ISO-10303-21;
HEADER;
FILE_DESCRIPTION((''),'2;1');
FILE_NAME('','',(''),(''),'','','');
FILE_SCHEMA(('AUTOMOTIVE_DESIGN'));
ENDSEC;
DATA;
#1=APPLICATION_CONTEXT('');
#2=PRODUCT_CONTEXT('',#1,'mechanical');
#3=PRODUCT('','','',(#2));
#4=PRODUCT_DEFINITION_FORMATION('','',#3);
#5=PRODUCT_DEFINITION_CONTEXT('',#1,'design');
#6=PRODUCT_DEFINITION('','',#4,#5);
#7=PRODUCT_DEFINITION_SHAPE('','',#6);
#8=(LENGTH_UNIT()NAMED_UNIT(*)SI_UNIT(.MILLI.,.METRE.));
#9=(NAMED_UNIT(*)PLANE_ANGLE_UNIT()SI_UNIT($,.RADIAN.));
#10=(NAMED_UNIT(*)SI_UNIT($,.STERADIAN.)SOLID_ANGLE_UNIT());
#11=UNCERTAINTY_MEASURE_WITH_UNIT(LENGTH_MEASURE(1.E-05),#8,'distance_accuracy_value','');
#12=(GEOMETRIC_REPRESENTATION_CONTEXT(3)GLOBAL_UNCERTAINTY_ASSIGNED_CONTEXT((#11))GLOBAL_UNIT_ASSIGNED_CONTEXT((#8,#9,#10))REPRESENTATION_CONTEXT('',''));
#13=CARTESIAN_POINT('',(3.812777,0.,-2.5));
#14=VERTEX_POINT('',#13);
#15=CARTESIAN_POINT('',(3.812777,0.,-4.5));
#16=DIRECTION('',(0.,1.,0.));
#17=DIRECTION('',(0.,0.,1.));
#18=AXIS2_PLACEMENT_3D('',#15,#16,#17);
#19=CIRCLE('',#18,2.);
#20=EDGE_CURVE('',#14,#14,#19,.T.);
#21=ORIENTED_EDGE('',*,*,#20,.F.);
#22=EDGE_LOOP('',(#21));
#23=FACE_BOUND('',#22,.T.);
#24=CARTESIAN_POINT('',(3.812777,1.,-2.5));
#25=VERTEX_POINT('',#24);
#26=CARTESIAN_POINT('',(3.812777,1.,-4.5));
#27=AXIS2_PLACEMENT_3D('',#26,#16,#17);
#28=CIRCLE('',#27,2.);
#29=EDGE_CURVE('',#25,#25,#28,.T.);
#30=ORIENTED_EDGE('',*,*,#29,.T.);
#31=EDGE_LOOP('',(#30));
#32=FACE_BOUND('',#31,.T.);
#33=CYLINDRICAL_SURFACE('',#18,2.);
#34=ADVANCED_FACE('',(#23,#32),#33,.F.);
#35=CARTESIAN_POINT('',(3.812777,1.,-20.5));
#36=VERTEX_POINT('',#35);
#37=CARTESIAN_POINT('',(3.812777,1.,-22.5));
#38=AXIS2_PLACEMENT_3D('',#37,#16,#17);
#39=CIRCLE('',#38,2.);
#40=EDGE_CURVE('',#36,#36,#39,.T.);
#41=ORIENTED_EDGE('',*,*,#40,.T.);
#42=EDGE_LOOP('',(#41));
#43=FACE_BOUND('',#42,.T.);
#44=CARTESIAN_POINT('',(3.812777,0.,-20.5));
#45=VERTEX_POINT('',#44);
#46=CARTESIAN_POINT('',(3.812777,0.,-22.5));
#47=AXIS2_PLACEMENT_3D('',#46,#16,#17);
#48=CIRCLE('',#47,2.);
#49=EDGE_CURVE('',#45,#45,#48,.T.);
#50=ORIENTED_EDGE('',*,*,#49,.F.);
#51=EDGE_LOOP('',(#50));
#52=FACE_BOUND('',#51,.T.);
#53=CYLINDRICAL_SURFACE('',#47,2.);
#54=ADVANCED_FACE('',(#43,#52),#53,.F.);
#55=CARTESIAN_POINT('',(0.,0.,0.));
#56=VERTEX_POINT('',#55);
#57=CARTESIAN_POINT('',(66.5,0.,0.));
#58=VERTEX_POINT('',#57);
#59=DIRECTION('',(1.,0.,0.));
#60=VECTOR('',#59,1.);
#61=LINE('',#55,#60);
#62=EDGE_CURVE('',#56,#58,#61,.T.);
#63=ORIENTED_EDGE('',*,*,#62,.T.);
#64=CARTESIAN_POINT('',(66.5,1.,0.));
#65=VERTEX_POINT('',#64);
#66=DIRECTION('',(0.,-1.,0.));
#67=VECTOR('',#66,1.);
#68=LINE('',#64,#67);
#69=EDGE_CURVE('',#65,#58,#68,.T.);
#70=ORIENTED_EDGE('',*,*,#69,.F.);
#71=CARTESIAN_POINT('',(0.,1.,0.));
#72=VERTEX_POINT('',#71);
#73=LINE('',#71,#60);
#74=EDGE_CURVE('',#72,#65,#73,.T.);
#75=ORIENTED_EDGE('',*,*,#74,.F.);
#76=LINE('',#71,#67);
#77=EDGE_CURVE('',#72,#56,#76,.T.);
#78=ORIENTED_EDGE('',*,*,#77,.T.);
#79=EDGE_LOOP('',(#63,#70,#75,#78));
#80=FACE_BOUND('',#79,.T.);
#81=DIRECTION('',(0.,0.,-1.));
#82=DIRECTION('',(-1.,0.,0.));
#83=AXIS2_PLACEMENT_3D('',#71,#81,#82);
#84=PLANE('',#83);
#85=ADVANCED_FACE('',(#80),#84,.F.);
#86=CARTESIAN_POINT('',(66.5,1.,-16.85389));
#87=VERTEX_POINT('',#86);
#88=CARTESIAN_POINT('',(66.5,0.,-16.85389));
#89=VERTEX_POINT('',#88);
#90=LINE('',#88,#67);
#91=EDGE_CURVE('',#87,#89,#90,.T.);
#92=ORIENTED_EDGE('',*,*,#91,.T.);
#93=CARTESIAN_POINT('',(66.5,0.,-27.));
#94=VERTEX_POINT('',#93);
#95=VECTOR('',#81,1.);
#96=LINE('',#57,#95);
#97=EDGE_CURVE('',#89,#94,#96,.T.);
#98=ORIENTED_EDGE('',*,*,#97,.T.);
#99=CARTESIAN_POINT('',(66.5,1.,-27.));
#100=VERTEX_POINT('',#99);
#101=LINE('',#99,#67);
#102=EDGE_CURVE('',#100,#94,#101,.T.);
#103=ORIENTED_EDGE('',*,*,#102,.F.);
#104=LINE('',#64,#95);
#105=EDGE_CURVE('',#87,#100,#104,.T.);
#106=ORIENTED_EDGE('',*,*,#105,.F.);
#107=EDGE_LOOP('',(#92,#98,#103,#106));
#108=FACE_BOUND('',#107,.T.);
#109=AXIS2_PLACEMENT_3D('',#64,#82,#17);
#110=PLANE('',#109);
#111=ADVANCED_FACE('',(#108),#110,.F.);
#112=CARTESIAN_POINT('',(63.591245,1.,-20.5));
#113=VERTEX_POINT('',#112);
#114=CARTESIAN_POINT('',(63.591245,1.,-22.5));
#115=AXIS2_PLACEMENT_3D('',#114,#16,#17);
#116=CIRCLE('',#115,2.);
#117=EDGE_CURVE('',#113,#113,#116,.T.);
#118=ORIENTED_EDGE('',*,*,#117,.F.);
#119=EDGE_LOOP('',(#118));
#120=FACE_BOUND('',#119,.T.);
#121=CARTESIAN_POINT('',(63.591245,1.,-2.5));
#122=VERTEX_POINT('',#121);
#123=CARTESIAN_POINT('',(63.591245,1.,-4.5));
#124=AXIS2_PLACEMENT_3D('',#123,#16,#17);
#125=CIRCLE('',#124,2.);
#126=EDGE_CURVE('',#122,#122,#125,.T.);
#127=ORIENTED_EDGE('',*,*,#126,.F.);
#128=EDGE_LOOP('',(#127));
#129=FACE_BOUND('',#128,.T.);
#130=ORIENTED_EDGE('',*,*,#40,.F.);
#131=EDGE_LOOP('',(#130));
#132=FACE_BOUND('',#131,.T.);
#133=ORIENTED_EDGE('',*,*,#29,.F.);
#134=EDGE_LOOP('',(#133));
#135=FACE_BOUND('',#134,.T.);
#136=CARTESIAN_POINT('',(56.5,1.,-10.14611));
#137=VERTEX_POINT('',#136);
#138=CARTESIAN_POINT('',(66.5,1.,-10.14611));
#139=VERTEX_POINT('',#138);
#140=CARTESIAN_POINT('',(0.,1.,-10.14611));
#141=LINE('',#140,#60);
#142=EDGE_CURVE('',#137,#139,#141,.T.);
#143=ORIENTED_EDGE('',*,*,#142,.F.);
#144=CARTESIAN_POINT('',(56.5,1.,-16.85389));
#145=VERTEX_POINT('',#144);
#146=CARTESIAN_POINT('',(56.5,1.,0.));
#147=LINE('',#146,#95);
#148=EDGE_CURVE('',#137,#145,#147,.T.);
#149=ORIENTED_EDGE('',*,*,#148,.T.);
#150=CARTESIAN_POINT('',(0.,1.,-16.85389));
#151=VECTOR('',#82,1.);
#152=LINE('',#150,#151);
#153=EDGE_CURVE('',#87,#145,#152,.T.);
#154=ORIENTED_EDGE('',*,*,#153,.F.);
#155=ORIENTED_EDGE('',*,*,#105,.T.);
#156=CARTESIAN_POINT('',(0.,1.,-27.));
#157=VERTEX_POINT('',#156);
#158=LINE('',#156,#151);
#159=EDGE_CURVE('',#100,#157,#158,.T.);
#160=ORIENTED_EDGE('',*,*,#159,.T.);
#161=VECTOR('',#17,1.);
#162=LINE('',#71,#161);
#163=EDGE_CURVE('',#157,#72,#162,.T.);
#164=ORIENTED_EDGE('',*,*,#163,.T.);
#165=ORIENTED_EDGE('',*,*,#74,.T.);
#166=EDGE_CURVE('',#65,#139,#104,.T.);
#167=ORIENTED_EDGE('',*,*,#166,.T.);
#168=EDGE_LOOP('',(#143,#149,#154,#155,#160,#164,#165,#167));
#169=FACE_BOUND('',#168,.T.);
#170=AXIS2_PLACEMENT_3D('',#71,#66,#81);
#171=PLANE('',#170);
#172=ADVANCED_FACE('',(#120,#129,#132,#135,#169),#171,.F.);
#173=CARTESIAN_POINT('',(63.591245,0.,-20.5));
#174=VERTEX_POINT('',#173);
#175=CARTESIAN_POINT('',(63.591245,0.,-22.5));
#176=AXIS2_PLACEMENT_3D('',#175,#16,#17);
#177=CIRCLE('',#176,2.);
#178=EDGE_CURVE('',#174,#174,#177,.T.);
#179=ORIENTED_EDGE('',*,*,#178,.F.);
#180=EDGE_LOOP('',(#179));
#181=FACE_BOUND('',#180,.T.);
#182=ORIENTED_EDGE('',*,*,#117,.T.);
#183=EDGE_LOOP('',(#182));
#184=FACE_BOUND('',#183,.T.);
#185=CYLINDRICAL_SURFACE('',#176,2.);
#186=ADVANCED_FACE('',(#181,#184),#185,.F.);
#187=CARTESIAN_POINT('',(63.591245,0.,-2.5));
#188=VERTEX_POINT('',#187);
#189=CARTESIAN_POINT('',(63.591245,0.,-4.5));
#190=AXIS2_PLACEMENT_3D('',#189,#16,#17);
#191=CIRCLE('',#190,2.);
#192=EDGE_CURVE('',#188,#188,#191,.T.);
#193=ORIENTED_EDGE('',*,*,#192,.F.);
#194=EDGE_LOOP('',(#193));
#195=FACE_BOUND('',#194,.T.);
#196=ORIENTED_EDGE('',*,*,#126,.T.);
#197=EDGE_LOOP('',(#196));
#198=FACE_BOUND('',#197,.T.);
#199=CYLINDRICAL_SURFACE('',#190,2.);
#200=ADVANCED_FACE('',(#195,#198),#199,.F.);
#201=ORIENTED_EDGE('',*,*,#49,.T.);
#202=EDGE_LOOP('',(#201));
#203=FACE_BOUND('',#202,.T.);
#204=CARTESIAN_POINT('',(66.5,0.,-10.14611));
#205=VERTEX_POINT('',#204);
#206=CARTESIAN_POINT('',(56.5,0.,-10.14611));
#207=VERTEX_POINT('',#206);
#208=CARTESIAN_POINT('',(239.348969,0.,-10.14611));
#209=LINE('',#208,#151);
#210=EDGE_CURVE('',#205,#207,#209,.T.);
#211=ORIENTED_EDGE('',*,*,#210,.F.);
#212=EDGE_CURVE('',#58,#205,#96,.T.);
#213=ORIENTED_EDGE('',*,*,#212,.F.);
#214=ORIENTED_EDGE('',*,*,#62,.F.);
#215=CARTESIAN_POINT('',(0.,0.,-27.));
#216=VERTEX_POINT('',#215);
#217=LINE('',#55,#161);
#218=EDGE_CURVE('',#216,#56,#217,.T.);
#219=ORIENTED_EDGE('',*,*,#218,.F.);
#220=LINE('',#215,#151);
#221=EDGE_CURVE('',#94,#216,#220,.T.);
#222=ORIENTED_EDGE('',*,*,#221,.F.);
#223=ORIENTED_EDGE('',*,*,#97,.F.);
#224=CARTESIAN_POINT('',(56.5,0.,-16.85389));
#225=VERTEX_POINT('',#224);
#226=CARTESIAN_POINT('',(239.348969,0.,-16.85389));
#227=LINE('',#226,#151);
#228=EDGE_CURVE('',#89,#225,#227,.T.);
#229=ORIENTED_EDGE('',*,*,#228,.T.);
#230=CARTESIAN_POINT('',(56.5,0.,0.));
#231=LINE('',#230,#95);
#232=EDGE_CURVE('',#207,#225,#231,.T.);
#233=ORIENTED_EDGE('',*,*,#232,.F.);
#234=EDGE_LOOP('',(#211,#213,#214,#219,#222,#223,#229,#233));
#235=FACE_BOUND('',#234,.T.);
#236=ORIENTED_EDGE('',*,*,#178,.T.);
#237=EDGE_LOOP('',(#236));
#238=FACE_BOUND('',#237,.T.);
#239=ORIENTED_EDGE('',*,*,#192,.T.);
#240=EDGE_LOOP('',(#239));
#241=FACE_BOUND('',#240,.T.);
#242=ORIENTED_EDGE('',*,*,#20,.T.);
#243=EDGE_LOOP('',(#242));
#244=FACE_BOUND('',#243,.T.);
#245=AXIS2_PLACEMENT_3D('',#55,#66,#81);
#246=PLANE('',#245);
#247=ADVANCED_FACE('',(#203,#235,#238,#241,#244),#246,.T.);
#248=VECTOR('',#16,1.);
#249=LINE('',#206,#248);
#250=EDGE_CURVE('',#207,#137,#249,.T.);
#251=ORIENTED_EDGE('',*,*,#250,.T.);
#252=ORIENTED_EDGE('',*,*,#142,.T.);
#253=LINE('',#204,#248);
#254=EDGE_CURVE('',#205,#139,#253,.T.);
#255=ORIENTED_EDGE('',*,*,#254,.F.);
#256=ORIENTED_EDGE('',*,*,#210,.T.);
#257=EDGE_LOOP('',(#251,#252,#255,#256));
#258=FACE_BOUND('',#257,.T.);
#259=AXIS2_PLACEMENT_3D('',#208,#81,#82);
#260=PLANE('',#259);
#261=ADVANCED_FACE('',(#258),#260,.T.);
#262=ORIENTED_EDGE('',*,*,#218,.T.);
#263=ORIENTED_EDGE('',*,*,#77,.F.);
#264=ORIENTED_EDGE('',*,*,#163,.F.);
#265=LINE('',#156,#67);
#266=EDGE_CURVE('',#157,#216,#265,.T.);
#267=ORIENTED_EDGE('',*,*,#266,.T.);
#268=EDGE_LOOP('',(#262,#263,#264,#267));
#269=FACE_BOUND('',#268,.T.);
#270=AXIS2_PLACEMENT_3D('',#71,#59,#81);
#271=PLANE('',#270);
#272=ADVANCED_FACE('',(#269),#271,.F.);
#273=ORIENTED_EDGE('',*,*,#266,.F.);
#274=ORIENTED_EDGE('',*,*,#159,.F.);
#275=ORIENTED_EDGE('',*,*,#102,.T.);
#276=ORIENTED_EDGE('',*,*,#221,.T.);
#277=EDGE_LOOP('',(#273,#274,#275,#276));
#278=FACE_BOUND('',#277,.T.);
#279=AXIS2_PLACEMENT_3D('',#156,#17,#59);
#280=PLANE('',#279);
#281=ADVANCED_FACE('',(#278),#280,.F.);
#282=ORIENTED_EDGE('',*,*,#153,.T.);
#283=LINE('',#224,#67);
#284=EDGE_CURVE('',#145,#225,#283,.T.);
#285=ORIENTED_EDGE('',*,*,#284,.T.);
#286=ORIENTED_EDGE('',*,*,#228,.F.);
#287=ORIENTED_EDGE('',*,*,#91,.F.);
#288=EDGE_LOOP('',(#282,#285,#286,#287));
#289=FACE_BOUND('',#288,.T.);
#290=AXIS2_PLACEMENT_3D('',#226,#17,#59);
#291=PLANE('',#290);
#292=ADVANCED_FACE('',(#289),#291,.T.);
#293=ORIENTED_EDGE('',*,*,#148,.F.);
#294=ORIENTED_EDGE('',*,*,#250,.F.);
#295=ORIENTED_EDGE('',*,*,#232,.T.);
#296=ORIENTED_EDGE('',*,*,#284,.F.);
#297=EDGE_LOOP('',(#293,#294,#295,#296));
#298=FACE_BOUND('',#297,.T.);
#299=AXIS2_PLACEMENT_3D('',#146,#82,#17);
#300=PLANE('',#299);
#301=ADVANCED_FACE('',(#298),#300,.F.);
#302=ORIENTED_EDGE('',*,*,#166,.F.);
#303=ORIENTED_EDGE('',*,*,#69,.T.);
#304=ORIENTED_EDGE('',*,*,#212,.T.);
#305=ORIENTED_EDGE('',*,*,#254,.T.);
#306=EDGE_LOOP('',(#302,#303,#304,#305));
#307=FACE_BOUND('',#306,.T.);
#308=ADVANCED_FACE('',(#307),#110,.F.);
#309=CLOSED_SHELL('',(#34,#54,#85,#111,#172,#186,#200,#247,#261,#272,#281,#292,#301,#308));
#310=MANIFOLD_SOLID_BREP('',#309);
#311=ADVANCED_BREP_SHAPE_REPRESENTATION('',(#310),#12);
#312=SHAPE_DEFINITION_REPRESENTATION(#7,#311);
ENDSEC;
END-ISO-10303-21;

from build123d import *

# Parameters (mm, degrees)
SKETCH1_W               = 66.5
SKETCH1_H               = 27
BOSS_EXTRUDE1_DEPTH     = 1
CUT_EXTRUDE1_DEPTH      = 72.779175253
CUT_EXTRUDE1_DEPTH_BACK = 10
SKETCH2_W               = 6.707780704
SKETCH2_H               = 1
SKETCH3_R               = 2
CUT_EXTRUDE2_DEPTH      = 72.779175253


with BuildPart() as part:
    # Sketch1 → Boss-Extrude1 (new body)
    with BuildSketch(Plane(origin=(0, 0, 0), x_dir=(1, 0, 0), z_dir=(0, 1, 0))):
        with Locations((33.25, 13.5)):
            Rectangle(SKETCH1_W, SKETCH1_H)
    extrude(amount=BOSS_EXTRUDE1_DEPTH)

    # Sketch2 → Cut-Extrude1 (cut, two sides: drawn at the far end of the back side and taken through both)
    with BuildSketch(Plane(origin=(66.5, 0, 0), x_dir=(0, 0, -1), z_dir=(1, 0, 0)).offset(-CUT_EXTRUDE1_DEPTH_BACK)):
        with Locations((13.5, 0.5)):
            Rectangle(SKETCH2_W, SKETCH2_H)
    extrude(amount=CUT_EXTRUDE1_DEPTH + CUT_EXTRUDE1_DEPTH_BACK, mode=Mode.SUBTRACT)

    # Sketch3 → Cut-Extrude2 (cut, through all)
    with BuildSketch(Plane(origin=(0, 1, 0), x_dir=(1, 0, 0), z_dir=(0, 1, 0))):
        with Locations(Location((63.591245105, 4.5, 0), (0, 0, 270))):
            Circle(SKETCH3_R)
        with Locations(Location((63.591245105, 22.5, 0), (0, 0, 270))):
            Circle(SKETCH3_R)
        with Locations(Location((3.812777096, 22.5, 0), (0, 0, 270))):
            Circle(SKETCH3_R)
        with Locations(Location((3.812777096, 4.5, 0), (0, 0, 270))):
            Circle(SKETCH3_R)
    extrude(amount=-CUT_EXTRUDE2_DEPTH, mode=Mode.SUBTRACT)


solid = part.part
